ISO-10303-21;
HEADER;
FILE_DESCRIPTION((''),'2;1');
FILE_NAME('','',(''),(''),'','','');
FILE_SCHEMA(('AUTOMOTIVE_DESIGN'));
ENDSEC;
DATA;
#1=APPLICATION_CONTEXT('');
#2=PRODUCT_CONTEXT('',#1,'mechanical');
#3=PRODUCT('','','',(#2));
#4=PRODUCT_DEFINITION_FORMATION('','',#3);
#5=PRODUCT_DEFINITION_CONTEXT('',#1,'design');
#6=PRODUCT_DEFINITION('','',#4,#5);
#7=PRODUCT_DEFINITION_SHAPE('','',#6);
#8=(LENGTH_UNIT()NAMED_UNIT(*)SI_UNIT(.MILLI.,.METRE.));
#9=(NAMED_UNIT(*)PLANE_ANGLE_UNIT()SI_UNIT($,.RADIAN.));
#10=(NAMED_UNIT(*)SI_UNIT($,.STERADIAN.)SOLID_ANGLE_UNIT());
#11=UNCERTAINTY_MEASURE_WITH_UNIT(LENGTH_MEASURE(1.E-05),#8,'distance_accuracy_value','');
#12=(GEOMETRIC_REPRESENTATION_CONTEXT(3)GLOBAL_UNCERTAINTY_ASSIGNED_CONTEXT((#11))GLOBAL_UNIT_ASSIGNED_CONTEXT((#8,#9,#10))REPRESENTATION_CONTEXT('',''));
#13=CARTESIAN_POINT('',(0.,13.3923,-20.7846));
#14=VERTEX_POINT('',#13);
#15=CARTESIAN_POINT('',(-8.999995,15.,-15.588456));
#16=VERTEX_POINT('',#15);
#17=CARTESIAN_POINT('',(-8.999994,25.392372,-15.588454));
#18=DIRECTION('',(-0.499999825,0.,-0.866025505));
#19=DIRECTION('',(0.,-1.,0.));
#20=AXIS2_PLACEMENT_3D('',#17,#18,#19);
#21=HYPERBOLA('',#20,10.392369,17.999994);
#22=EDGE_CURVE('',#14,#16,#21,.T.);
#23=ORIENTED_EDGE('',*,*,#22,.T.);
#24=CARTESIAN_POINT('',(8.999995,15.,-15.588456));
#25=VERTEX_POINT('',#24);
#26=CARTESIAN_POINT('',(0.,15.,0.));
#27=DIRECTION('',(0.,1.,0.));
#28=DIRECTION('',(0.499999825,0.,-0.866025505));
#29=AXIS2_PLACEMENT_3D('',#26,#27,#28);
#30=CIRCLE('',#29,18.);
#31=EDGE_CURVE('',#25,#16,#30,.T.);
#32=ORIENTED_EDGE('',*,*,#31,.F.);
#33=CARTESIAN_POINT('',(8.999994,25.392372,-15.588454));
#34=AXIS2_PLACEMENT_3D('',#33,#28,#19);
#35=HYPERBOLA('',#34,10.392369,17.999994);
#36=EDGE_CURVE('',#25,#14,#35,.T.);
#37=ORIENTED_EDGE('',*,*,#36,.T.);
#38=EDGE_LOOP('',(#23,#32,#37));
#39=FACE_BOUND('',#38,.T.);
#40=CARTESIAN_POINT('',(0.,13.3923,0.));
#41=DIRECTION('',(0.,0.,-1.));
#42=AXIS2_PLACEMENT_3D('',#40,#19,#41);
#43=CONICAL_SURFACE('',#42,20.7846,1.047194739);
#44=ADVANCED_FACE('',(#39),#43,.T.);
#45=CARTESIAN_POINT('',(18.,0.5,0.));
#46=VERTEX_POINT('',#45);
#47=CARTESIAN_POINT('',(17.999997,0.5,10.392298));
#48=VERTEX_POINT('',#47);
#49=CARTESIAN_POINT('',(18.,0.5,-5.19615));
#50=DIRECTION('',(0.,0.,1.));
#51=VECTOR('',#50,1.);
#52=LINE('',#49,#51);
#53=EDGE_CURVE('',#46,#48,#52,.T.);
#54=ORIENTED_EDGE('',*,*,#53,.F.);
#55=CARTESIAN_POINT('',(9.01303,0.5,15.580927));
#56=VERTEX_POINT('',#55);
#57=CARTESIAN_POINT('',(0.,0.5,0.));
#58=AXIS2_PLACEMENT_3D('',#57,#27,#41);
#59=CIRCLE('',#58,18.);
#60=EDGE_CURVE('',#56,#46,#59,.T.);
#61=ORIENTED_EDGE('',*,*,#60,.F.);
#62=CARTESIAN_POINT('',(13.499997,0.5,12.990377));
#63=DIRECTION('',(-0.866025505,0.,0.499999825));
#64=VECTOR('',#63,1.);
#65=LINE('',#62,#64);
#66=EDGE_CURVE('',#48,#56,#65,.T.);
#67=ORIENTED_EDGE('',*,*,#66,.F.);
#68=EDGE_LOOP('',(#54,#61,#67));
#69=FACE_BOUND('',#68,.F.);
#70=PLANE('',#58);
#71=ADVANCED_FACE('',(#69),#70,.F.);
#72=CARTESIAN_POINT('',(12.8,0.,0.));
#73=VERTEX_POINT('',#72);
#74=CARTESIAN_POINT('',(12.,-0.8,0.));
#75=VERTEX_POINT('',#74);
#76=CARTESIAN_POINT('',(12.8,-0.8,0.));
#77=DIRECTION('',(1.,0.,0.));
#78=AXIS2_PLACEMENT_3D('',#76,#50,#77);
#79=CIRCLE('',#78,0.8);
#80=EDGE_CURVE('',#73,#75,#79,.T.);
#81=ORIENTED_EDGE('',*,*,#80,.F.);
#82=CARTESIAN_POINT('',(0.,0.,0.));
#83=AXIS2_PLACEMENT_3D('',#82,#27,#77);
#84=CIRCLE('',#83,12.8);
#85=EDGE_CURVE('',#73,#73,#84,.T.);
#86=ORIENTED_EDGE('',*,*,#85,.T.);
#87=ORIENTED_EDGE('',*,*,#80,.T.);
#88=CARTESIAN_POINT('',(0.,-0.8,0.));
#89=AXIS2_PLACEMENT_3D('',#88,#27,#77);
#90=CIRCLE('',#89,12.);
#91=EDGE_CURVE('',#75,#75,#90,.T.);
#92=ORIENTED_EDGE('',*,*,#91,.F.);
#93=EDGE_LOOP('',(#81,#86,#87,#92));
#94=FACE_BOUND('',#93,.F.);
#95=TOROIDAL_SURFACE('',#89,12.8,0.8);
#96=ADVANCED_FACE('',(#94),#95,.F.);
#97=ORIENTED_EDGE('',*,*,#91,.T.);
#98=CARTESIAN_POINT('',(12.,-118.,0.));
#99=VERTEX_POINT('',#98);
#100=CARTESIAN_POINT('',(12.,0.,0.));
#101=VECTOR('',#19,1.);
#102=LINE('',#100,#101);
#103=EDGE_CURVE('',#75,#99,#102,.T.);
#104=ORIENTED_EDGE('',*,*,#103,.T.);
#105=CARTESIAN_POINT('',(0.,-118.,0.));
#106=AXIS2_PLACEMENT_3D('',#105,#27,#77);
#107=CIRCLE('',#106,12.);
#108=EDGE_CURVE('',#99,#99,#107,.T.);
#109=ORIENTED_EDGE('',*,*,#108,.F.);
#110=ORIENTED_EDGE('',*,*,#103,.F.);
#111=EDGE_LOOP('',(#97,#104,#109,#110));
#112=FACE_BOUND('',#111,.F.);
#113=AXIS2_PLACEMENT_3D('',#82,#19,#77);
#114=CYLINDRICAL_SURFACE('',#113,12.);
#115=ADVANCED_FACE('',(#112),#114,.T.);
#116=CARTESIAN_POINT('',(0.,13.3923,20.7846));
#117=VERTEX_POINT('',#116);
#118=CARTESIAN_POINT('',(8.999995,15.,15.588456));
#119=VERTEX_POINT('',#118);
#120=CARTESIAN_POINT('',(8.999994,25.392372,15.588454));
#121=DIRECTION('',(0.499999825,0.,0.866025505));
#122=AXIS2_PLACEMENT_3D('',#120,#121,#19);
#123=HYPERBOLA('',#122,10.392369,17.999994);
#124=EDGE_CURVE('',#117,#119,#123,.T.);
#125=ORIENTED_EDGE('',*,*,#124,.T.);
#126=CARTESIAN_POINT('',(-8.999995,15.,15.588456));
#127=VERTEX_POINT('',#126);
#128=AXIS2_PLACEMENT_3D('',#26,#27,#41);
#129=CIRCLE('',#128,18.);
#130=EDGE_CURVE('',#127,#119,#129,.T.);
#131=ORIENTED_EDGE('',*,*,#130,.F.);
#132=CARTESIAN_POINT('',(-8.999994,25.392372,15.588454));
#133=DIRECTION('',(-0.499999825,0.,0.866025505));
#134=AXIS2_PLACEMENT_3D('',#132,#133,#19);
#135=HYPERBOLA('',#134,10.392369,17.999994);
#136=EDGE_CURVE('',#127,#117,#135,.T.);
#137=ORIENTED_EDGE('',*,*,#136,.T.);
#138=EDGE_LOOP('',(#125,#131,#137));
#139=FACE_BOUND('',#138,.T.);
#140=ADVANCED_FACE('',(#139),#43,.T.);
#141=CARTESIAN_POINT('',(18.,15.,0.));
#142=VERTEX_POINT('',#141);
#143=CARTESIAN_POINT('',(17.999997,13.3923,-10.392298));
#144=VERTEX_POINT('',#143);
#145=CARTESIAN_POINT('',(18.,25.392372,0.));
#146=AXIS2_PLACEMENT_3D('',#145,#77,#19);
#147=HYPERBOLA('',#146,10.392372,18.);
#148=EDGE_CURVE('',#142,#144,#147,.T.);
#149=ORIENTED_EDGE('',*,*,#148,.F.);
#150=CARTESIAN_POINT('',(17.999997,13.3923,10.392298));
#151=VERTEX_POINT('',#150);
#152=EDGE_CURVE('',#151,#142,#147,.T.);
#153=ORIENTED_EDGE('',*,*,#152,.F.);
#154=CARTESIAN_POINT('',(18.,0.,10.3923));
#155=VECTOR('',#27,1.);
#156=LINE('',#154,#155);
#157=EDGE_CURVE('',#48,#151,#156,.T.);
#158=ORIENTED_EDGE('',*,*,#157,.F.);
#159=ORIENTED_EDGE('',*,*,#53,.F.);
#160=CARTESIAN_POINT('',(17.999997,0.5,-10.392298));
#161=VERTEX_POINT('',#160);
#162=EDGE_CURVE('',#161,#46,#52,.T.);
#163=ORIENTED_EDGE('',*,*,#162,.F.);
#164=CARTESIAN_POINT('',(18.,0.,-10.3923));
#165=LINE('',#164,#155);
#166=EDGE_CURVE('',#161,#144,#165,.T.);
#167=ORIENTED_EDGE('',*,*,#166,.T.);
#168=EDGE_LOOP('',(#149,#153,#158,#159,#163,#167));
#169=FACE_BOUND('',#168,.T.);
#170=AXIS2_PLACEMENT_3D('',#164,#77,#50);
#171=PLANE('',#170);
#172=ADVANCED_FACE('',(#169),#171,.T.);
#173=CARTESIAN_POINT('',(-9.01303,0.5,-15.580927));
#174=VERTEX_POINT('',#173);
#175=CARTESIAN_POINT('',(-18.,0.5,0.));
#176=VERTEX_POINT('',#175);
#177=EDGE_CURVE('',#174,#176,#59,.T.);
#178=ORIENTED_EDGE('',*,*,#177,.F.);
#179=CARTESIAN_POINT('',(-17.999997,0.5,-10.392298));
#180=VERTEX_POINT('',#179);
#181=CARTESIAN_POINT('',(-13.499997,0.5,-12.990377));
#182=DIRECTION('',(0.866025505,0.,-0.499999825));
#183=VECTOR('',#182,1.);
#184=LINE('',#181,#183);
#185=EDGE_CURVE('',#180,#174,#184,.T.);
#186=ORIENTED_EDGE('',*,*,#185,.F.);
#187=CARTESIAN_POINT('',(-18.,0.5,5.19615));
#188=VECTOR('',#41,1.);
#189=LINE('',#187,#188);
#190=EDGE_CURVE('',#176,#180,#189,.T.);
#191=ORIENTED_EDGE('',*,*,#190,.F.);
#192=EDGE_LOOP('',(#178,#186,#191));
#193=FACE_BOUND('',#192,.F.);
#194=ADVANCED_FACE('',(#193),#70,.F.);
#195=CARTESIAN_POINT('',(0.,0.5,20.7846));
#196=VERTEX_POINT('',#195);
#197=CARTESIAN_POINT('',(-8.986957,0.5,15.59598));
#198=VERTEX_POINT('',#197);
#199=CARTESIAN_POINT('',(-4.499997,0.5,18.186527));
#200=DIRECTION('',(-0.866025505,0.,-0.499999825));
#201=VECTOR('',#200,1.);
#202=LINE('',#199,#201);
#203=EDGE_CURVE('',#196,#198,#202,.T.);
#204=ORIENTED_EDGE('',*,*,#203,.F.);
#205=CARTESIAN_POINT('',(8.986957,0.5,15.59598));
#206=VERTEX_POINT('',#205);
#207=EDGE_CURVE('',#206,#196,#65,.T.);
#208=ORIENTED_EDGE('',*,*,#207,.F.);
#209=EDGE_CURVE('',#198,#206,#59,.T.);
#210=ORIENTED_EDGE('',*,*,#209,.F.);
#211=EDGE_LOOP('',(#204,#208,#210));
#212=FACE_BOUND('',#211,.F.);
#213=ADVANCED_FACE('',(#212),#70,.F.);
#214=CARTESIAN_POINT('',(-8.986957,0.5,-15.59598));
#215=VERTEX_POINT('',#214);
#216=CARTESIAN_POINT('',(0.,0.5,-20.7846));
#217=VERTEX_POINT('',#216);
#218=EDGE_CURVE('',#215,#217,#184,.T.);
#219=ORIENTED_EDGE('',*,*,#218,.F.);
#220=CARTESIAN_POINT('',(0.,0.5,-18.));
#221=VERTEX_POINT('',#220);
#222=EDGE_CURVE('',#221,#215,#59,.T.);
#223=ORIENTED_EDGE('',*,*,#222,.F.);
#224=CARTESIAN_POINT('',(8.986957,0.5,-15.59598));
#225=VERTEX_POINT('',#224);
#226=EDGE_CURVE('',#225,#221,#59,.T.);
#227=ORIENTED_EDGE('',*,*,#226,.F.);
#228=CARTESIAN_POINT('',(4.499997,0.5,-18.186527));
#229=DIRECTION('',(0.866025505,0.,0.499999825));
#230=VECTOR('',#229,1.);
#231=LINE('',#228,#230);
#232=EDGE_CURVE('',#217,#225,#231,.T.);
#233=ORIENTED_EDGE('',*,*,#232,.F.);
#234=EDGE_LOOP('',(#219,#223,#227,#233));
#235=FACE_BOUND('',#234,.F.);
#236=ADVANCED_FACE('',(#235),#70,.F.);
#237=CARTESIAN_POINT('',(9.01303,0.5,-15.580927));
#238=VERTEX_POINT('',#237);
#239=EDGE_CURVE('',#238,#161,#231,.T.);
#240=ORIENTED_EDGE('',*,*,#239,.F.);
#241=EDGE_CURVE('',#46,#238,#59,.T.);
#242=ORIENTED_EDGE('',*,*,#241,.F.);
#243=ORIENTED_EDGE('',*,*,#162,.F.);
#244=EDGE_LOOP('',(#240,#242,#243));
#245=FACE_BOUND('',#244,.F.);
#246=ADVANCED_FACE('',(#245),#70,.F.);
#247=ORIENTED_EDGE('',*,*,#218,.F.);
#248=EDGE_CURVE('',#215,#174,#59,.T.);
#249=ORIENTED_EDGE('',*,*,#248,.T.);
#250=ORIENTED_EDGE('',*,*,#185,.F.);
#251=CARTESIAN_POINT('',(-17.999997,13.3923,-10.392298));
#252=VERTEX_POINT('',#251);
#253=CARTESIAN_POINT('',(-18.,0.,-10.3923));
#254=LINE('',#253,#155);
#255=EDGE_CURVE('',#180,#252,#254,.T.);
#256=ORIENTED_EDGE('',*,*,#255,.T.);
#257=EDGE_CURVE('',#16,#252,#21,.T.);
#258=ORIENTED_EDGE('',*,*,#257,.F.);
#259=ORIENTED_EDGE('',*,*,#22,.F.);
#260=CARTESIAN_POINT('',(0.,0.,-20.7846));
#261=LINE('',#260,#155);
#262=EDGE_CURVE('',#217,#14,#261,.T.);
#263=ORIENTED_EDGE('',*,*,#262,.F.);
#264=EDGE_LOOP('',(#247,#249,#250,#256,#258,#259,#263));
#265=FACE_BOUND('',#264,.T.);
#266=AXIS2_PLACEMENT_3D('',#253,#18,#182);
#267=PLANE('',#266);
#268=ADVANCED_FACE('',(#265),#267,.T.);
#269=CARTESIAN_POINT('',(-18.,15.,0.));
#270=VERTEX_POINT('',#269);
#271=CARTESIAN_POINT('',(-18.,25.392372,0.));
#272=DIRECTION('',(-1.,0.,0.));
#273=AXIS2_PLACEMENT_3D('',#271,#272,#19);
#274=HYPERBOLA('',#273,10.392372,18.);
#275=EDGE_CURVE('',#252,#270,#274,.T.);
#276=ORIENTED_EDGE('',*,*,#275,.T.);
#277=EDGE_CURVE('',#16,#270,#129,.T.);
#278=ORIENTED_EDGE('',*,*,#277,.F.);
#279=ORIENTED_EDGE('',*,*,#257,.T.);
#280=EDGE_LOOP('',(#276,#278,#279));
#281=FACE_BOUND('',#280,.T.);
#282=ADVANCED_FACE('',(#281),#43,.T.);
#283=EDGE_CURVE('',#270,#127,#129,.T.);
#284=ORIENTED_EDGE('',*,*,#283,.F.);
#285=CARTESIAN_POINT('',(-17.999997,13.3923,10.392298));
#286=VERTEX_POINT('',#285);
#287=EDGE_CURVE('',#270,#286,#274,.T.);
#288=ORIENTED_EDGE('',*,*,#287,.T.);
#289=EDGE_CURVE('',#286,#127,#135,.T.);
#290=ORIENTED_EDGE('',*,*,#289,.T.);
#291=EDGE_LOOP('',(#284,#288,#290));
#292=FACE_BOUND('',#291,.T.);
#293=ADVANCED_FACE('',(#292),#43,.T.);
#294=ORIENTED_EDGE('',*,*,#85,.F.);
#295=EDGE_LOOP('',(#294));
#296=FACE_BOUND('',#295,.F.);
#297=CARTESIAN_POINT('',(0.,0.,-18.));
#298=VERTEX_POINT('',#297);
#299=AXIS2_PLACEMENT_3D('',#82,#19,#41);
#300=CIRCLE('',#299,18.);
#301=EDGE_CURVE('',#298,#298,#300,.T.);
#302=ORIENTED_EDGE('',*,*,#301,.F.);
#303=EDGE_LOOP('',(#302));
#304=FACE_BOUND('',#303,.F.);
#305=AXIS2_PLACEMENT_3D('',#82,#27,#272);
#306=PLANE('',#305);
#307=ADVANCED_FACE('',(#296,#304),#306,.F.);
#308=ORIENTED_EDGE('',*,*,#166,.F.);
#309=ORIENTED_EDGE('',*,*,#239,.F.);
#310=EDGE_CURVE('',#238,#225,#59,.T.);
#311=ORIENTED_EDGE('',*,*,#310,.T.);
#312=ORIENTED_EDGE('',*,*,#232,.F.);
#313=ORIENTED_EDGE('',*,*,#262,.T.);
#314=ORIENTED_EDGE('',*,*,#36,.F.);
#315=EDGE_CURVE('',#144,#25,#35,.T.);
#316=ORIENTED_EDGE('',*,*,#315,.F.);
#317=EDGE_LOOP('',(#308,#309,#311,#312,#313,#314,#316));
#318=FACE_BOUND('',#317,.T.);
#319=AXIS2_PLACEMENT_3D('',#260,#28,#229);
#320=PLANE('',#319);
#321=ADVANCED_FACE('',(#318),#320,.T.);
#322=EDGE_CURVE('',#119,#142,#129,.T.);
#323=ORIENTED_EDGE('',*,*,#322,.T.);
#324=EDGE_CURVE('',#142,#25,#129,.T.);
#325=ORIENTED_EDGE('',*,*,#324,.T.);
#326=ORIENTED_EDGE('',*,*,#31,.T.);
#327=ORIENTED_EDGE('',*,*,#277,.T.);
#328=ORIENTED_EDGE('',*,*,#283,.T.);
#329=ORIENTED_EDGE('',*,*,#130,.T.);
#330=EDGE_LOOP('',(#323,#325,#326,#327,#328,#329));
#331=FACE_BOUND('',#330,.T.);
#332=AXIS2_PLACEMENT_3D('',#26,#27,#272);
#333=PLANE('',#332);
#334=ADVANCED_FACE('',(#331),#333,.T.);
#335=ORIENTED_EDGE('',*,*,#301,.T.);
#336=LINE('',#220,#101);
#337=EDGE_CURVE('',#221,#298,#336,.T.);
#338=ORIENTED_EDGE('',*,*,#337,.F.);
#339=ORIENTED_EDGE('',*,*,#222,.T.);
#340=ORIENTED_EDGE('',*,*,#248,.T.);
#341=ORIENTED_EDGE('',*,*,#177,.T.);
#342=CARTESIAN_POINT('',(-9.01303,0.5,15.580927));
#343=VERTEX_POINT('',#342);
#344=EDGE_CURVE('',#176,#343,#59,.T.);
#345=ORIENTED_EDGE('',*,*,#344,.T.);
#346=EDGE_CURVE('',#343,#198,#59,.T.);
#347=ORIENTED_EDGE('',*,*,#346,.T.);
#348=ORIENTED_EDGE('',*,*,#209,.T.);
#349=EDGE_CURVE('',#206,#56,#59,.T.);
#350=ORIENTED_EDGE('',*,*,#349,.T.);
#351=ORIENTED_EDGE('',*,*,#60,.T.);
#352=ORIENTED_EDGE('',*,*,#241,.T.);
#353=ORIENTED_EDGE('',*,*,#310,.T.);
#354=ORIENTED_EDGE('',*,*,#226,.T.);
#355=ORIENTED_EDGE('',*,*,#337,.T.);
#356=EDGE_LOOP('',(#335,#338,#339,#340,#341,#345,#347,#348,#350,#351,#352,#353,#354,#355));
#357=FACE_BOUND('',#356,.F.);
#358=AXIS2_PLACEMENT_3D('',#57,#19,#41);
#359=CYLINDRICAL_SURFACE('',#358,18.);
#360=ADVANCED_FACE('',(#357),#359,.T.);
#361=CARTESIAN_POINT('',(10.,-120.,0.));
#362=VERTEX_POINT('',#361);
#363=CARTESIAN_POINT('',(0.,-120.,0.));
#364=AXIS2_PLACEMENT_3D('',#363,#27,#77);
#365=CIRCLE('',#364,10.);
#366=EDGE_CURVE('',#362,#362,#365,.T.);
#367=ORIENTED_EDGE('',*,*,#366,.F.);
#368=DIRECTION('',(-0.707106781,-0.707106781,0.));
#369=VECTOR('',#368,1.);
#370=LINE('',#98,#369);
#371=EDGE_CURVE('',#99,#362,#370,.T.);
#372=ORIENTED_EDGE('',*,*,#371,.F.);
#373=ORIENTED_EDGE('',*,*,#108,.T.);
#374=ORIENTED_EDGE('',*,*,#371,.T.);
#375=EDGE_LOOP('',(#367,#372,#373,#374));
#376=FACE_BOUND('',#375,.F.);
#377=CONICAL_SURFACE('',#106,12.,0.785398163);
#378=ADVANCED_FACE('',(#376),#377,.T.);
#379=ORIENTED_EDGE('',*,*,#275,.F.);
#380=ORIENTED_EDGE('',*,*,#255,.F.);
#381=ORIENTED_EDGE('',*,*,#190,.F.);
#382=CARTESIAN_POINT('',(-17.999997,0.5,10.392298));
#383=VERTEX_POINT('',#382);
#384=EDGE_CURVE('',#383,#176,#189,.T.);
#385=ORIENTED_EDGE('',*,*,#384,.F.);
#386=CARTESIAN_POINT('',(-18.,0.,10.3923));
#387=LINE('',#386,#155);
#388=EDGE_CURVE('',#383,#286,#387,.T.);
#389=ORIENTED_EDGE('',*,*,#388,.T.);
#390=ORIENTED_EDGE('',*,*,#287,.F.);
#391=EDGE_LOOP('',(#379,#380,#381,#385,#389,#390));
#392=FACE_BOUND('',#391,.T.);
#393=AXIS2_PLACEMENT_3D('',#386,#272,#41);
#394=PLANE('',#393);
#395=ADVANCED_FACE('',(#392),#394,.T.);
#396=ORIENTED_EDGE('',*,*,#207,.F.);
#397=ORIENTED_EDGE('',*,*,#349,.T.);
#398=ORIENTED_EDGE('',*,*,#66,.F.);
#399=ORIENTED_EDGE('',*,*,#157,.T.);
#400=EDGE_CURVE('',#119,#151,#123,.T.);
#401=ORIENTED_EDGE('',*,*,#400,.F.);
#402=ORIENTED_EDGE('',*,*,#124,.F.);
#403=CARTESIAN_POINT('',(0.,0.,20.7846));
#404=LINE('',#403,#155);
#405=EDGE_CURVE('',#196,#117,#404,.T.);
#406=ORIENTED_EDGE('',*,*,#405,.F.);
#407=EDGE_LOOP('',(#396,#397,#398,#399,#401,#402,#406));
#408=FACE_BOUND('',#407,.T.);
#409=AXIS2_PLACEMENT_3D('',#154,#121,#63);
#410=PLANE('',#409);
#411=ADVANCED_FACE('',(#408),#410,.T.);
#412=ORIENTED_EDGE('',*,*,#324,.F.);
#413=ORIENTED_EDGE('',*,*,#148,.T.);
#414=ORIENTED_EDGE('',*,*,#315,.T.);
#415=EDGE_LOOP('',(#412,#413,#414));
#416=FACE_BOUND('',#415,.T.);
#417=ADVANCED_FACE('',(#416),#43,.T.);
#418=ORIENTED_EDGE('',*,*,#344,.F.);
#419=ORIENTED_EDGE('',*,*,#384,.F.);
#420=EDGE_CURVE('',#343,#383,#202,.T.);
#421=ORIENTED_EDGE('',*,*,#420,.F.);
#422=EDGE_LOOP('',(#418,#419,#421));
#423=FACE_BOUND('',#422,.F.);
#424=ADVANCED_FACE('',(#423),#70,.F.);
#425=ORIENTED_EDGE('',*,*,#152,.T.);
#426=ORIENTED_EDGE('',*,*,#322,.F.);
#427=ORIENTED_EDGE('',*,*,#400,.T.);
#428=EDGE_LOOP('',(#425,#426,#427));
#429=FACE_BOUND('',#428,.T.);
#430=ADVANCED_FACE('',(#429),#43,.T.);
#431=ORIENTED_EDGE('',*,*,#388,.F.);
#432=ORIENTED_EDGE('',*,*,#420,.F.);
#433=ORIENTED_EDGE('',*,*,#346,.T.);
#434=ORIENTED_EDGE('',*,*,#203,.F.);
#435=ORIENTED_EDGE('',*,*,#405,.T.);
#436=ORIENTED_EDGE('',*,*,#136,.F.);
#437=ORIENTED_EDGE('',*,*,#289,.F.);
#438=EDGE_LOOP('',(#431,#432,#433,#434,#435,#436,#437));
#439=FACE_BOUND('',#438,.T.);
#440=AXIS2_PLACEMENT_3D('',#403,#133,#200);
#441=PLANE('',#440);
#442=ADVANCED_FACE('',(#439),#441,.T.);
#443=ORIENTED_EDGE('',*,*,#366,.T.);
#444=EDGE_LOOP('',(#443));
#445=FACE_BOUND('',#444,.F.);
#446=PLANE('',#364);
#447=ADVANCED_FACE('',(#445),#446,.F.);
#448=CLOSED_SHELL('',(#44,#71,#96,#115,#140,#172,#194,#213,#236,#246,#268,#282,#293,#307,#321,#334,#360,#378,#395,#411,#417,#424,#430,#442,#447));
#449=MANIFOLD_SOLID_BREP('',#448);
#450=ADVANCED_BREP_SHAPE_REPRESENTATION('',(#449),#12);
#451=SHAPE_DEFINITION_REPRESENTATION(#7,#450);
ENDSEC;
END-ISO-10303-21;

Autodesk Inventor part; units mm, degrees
ref_plane "YZ Plane" through (0, 0, 0) normal (1, 0, 0) x (0, 1, 0)
ref_plane "XZ Plane" through (0, 0, 0) normal (0, 1, 0) x (-1, 0, 0)
ref_plane "XY Plane" through (0, 0, 0) normal (0, 0, 1) x (1, 0, 0)
sketch "Sketch1" plane through (0, 0, 0) normal (0, 1, 0) x (-1, 0, 0)
  line L0 (127.8939, 73.8396) -> (127.8939, -73.8396)
  line L1 (127.8939, -73.8396) -> (0, -147.6791)
  line L2 (0, -147.6791) -> (-127.8939, -73.8396)
  line L3 (-127.8939, -73.8396) -> (-127.8939, 73.8396)
  line L4 (-127.8939, 73.8396) -> (0, 147.6791)
  line L5 (0, 147.6791) -> (127.8939, 73.8396)
  line L6 (-18, 10.3923) -> (0, 20.7846)
  line L7 (0, 20.7846) -> (18, 10.3923)
  line L8 (18, 10.3923) -> (18, -10.3923)
  line L9 (18, -10.3923) -> (0, -20.7846)
  line L10 (0, -20.7846) -> (-18, -10.3923)
  line L11 (-18, -10.3923) -> (-18, 10.3923)
  point P0 (0, 0)
  point P1 (0, 0)
  point P2 (0, 0)
  dimension "Shex" = 36
extrude "Extrusion1" add sketch "Sketch1" along normal blind 15 contours L6 L7 L8 L9 L10 L11
sketch "Sketch2" plane through (0, 0, 0) normal (1, 0, 0) x (0, 1, 0)
  line L0 (0, -20.7846) -> (15, -20.7846) construction
  line L1 (15, -20.7846) -> (13.3923, -20.7846)
  line L2 (13.3923, -20.7846) -> (15, -18)
  line L3 (15, -18) -> (15, -20.7846)
  line L4 (-3, 0) -> (18, 0) projected
  point P0 (0, 0)
  dimension "d4" = 60
  dimension "d5" = 36
revolve "Revolution1" cut sketch "Sketch2" angle 360 about axis through (0, -10, 0) along (0, 1, 0)
sketch "Sketch3" plane through (0, 0, 0) normal (0, 0, 1) x (1, 0, 0)
  line L0 (0, 0) -> (12, 0)
  line L1 (12, 0) -> (12, -120)
  line L2 (12, -120) -> (0, -120)
  line L3 (0, -120) -> (0, 0)
  dimension "L" = 120
  dimension "Dia" = 24
revolve "Revolution2" add sketch "Sketch3" angle 360 about axis through (0, -120, 0) along (0, 1, 0)
fillet "Fillet1" radius 0.8 1 edges at (-12, 0, 0)
chamfer "Chamfer1" distance 2 angle 45 1 edges at (-12, -120, 0)
thread "Thread2" size "M24x3" class "6g" standard "ANSI Metric M Profile" length 54
sketch "Sketch6" plane through (0, 0, 0) normal (1, 0, 0) x (0, 1, 0)
  line L0 (-147, 0) -> (42, 0) projected
  line L1 (0, -20.7846) -> (13.3923, -20.7846) projected
  line L2 (0, -20.7846) -> (0, -10.3923) projected
  line L3 (0, -10.3923) -> (13.3923, -10.3923) projected
  line L4 (0, -20.7846) -> (0.5, -20.7846)
  line L5 (0.5, -20.7846) -> (0.5, -18)
  line L6 (0.5, -18) -> (0, -18)
  line L7 (0, -18) -> (0, -20.7846)
  point P0 (0, 0)
  point P1 (15, -15.5885)
  point P2 (0, -18)
  dimension "a" = 0.5
  dimension "d34" = 36
revolve "Revolution3" cut sketch "Sketch6" angle 360 about axis through (0, -10, 0) along (0, 1, 0)
equation "\"d5\" = Shex"
equation "\"d31\" = b - cham"
equation "\"d34\" = Shex"
equation "\"b\" = 56"
equation "\"cham\" = 2"
properties part number "Part16 Real Bolt Thread" material "Steel"
